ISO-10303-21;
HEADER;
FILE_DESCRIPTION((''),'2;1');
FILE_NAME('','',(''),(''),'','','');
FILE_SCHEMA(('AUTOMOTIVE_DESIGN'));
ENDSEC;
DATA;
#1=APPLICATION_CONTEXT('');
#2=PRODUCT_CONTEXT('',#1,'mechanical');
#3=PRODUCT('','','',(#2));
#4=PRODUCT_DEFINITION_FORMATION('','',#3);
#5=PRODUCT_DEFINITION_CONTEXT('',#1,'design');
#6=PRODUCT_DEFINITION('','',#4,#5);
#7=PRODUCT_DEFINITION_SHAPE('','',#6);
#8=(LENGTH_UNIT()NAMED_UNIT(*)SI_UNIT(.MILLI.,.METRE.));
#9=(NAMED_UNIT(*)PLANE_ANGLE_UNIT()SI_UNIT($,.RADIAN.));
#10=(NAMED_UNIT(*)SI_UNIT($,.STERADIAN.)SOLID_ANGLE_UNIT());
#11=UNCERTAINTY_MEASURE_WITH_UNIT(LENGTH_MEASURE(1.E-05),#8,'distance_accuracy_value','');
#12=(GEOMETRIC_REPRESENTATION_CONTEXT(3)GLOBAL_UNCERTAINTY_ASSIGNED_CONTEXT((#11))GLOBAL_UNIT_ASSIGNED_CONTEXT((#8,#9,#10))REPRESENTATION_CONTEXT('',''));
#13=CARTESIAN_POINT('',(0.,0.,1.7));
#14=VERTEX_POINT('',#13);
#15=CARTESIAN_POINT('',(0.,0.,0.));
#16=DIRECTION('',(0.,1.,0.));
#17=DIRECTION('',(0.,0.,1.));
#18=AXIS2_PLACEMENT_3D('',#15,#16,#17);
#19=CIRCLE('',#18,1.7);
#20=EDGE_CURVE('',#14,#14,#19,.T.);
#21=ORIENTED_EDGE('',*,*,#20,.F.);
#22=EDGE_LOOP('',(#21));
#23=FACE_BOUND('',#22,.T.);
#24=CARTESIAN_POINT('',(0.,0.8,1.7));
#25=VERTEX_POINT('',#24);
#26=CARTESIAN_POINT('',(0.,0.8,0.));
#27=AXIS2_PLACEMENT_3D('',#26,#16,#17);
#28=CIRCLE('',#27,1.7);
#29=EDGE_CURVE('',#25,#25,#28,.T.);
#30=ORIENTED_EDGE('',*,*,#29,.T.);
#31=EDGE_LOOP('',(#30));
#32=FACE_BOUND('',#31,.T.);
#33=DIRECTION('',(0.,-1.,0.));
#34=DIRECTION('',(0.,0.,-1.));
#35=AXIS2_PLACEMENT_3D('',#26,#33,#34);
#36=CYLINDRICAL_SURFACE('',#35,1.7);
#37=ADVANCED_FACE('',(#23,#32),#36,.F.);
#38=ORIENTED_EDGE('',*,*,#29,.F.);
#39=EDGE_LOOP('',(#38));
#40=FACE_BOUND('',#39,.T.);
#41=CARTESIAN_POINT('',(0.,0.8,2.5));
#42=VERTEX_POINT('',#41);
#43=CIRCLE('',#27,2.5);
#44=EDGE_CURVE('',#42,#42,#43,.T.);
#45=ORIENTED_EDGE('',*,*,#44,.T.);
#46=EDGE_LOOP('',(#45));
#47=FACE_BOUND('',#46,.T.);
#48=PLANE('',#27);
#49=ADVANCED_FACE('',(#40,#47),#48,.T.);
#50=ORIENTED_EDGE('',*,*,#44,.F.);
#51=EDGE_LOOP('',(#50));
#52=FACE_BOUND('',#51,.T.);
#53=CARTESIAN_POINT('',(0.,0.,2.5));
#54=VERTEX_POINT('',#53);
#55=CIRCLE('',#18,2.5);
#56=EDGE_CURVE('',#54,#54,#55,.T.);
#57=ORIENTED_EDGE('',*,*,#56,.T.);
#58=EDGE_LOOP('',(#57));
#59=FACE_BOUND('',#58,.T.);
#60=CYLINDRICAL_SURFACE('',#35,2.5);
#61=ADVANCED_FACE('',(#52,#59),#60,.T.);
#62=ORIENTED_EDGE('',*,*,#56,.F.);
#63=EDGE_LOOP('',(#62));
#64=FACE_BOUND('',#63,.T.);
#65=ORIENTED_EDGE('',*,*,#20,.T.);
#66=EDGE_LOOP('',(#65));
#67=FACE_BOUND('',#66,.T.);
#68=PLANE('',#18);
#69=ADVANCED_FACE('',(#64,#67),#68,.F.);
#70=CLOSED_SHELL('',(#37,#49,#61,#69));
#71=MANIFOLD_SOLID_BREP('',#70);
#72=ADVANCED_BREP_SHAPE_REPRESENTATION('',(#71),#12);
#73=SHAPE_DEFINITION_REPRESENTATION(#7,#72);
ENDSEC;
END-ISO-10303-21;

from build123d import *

# Parameters (mm, degrees)
SKETCH_1_R      = 2.5
SKETCH_1_R_2    = 1.7
EXTRUDE_1_DEPTH = 0.8


with BuildPart() as part:
    # 草图1 → 凸台-拉伸1 (new body)
    with BuildSketch(Plane(origin=(0, 0, 0), x_dir=(1, 0, 0), z_dir=(0, 1, 0))):
        with Locations(Location((0, 0, 0), (0, 0, 270))):
            Circle(SKETCH_1_R)
        with Locations(Location((0, 0, 0), (0, 0, 270))):
            Circle(SKETCH_1_R_2, mode=Mode.SUBTRACT)
    extrude(amount=EXTRUDE_1_DEPTH)


solid = part.part
